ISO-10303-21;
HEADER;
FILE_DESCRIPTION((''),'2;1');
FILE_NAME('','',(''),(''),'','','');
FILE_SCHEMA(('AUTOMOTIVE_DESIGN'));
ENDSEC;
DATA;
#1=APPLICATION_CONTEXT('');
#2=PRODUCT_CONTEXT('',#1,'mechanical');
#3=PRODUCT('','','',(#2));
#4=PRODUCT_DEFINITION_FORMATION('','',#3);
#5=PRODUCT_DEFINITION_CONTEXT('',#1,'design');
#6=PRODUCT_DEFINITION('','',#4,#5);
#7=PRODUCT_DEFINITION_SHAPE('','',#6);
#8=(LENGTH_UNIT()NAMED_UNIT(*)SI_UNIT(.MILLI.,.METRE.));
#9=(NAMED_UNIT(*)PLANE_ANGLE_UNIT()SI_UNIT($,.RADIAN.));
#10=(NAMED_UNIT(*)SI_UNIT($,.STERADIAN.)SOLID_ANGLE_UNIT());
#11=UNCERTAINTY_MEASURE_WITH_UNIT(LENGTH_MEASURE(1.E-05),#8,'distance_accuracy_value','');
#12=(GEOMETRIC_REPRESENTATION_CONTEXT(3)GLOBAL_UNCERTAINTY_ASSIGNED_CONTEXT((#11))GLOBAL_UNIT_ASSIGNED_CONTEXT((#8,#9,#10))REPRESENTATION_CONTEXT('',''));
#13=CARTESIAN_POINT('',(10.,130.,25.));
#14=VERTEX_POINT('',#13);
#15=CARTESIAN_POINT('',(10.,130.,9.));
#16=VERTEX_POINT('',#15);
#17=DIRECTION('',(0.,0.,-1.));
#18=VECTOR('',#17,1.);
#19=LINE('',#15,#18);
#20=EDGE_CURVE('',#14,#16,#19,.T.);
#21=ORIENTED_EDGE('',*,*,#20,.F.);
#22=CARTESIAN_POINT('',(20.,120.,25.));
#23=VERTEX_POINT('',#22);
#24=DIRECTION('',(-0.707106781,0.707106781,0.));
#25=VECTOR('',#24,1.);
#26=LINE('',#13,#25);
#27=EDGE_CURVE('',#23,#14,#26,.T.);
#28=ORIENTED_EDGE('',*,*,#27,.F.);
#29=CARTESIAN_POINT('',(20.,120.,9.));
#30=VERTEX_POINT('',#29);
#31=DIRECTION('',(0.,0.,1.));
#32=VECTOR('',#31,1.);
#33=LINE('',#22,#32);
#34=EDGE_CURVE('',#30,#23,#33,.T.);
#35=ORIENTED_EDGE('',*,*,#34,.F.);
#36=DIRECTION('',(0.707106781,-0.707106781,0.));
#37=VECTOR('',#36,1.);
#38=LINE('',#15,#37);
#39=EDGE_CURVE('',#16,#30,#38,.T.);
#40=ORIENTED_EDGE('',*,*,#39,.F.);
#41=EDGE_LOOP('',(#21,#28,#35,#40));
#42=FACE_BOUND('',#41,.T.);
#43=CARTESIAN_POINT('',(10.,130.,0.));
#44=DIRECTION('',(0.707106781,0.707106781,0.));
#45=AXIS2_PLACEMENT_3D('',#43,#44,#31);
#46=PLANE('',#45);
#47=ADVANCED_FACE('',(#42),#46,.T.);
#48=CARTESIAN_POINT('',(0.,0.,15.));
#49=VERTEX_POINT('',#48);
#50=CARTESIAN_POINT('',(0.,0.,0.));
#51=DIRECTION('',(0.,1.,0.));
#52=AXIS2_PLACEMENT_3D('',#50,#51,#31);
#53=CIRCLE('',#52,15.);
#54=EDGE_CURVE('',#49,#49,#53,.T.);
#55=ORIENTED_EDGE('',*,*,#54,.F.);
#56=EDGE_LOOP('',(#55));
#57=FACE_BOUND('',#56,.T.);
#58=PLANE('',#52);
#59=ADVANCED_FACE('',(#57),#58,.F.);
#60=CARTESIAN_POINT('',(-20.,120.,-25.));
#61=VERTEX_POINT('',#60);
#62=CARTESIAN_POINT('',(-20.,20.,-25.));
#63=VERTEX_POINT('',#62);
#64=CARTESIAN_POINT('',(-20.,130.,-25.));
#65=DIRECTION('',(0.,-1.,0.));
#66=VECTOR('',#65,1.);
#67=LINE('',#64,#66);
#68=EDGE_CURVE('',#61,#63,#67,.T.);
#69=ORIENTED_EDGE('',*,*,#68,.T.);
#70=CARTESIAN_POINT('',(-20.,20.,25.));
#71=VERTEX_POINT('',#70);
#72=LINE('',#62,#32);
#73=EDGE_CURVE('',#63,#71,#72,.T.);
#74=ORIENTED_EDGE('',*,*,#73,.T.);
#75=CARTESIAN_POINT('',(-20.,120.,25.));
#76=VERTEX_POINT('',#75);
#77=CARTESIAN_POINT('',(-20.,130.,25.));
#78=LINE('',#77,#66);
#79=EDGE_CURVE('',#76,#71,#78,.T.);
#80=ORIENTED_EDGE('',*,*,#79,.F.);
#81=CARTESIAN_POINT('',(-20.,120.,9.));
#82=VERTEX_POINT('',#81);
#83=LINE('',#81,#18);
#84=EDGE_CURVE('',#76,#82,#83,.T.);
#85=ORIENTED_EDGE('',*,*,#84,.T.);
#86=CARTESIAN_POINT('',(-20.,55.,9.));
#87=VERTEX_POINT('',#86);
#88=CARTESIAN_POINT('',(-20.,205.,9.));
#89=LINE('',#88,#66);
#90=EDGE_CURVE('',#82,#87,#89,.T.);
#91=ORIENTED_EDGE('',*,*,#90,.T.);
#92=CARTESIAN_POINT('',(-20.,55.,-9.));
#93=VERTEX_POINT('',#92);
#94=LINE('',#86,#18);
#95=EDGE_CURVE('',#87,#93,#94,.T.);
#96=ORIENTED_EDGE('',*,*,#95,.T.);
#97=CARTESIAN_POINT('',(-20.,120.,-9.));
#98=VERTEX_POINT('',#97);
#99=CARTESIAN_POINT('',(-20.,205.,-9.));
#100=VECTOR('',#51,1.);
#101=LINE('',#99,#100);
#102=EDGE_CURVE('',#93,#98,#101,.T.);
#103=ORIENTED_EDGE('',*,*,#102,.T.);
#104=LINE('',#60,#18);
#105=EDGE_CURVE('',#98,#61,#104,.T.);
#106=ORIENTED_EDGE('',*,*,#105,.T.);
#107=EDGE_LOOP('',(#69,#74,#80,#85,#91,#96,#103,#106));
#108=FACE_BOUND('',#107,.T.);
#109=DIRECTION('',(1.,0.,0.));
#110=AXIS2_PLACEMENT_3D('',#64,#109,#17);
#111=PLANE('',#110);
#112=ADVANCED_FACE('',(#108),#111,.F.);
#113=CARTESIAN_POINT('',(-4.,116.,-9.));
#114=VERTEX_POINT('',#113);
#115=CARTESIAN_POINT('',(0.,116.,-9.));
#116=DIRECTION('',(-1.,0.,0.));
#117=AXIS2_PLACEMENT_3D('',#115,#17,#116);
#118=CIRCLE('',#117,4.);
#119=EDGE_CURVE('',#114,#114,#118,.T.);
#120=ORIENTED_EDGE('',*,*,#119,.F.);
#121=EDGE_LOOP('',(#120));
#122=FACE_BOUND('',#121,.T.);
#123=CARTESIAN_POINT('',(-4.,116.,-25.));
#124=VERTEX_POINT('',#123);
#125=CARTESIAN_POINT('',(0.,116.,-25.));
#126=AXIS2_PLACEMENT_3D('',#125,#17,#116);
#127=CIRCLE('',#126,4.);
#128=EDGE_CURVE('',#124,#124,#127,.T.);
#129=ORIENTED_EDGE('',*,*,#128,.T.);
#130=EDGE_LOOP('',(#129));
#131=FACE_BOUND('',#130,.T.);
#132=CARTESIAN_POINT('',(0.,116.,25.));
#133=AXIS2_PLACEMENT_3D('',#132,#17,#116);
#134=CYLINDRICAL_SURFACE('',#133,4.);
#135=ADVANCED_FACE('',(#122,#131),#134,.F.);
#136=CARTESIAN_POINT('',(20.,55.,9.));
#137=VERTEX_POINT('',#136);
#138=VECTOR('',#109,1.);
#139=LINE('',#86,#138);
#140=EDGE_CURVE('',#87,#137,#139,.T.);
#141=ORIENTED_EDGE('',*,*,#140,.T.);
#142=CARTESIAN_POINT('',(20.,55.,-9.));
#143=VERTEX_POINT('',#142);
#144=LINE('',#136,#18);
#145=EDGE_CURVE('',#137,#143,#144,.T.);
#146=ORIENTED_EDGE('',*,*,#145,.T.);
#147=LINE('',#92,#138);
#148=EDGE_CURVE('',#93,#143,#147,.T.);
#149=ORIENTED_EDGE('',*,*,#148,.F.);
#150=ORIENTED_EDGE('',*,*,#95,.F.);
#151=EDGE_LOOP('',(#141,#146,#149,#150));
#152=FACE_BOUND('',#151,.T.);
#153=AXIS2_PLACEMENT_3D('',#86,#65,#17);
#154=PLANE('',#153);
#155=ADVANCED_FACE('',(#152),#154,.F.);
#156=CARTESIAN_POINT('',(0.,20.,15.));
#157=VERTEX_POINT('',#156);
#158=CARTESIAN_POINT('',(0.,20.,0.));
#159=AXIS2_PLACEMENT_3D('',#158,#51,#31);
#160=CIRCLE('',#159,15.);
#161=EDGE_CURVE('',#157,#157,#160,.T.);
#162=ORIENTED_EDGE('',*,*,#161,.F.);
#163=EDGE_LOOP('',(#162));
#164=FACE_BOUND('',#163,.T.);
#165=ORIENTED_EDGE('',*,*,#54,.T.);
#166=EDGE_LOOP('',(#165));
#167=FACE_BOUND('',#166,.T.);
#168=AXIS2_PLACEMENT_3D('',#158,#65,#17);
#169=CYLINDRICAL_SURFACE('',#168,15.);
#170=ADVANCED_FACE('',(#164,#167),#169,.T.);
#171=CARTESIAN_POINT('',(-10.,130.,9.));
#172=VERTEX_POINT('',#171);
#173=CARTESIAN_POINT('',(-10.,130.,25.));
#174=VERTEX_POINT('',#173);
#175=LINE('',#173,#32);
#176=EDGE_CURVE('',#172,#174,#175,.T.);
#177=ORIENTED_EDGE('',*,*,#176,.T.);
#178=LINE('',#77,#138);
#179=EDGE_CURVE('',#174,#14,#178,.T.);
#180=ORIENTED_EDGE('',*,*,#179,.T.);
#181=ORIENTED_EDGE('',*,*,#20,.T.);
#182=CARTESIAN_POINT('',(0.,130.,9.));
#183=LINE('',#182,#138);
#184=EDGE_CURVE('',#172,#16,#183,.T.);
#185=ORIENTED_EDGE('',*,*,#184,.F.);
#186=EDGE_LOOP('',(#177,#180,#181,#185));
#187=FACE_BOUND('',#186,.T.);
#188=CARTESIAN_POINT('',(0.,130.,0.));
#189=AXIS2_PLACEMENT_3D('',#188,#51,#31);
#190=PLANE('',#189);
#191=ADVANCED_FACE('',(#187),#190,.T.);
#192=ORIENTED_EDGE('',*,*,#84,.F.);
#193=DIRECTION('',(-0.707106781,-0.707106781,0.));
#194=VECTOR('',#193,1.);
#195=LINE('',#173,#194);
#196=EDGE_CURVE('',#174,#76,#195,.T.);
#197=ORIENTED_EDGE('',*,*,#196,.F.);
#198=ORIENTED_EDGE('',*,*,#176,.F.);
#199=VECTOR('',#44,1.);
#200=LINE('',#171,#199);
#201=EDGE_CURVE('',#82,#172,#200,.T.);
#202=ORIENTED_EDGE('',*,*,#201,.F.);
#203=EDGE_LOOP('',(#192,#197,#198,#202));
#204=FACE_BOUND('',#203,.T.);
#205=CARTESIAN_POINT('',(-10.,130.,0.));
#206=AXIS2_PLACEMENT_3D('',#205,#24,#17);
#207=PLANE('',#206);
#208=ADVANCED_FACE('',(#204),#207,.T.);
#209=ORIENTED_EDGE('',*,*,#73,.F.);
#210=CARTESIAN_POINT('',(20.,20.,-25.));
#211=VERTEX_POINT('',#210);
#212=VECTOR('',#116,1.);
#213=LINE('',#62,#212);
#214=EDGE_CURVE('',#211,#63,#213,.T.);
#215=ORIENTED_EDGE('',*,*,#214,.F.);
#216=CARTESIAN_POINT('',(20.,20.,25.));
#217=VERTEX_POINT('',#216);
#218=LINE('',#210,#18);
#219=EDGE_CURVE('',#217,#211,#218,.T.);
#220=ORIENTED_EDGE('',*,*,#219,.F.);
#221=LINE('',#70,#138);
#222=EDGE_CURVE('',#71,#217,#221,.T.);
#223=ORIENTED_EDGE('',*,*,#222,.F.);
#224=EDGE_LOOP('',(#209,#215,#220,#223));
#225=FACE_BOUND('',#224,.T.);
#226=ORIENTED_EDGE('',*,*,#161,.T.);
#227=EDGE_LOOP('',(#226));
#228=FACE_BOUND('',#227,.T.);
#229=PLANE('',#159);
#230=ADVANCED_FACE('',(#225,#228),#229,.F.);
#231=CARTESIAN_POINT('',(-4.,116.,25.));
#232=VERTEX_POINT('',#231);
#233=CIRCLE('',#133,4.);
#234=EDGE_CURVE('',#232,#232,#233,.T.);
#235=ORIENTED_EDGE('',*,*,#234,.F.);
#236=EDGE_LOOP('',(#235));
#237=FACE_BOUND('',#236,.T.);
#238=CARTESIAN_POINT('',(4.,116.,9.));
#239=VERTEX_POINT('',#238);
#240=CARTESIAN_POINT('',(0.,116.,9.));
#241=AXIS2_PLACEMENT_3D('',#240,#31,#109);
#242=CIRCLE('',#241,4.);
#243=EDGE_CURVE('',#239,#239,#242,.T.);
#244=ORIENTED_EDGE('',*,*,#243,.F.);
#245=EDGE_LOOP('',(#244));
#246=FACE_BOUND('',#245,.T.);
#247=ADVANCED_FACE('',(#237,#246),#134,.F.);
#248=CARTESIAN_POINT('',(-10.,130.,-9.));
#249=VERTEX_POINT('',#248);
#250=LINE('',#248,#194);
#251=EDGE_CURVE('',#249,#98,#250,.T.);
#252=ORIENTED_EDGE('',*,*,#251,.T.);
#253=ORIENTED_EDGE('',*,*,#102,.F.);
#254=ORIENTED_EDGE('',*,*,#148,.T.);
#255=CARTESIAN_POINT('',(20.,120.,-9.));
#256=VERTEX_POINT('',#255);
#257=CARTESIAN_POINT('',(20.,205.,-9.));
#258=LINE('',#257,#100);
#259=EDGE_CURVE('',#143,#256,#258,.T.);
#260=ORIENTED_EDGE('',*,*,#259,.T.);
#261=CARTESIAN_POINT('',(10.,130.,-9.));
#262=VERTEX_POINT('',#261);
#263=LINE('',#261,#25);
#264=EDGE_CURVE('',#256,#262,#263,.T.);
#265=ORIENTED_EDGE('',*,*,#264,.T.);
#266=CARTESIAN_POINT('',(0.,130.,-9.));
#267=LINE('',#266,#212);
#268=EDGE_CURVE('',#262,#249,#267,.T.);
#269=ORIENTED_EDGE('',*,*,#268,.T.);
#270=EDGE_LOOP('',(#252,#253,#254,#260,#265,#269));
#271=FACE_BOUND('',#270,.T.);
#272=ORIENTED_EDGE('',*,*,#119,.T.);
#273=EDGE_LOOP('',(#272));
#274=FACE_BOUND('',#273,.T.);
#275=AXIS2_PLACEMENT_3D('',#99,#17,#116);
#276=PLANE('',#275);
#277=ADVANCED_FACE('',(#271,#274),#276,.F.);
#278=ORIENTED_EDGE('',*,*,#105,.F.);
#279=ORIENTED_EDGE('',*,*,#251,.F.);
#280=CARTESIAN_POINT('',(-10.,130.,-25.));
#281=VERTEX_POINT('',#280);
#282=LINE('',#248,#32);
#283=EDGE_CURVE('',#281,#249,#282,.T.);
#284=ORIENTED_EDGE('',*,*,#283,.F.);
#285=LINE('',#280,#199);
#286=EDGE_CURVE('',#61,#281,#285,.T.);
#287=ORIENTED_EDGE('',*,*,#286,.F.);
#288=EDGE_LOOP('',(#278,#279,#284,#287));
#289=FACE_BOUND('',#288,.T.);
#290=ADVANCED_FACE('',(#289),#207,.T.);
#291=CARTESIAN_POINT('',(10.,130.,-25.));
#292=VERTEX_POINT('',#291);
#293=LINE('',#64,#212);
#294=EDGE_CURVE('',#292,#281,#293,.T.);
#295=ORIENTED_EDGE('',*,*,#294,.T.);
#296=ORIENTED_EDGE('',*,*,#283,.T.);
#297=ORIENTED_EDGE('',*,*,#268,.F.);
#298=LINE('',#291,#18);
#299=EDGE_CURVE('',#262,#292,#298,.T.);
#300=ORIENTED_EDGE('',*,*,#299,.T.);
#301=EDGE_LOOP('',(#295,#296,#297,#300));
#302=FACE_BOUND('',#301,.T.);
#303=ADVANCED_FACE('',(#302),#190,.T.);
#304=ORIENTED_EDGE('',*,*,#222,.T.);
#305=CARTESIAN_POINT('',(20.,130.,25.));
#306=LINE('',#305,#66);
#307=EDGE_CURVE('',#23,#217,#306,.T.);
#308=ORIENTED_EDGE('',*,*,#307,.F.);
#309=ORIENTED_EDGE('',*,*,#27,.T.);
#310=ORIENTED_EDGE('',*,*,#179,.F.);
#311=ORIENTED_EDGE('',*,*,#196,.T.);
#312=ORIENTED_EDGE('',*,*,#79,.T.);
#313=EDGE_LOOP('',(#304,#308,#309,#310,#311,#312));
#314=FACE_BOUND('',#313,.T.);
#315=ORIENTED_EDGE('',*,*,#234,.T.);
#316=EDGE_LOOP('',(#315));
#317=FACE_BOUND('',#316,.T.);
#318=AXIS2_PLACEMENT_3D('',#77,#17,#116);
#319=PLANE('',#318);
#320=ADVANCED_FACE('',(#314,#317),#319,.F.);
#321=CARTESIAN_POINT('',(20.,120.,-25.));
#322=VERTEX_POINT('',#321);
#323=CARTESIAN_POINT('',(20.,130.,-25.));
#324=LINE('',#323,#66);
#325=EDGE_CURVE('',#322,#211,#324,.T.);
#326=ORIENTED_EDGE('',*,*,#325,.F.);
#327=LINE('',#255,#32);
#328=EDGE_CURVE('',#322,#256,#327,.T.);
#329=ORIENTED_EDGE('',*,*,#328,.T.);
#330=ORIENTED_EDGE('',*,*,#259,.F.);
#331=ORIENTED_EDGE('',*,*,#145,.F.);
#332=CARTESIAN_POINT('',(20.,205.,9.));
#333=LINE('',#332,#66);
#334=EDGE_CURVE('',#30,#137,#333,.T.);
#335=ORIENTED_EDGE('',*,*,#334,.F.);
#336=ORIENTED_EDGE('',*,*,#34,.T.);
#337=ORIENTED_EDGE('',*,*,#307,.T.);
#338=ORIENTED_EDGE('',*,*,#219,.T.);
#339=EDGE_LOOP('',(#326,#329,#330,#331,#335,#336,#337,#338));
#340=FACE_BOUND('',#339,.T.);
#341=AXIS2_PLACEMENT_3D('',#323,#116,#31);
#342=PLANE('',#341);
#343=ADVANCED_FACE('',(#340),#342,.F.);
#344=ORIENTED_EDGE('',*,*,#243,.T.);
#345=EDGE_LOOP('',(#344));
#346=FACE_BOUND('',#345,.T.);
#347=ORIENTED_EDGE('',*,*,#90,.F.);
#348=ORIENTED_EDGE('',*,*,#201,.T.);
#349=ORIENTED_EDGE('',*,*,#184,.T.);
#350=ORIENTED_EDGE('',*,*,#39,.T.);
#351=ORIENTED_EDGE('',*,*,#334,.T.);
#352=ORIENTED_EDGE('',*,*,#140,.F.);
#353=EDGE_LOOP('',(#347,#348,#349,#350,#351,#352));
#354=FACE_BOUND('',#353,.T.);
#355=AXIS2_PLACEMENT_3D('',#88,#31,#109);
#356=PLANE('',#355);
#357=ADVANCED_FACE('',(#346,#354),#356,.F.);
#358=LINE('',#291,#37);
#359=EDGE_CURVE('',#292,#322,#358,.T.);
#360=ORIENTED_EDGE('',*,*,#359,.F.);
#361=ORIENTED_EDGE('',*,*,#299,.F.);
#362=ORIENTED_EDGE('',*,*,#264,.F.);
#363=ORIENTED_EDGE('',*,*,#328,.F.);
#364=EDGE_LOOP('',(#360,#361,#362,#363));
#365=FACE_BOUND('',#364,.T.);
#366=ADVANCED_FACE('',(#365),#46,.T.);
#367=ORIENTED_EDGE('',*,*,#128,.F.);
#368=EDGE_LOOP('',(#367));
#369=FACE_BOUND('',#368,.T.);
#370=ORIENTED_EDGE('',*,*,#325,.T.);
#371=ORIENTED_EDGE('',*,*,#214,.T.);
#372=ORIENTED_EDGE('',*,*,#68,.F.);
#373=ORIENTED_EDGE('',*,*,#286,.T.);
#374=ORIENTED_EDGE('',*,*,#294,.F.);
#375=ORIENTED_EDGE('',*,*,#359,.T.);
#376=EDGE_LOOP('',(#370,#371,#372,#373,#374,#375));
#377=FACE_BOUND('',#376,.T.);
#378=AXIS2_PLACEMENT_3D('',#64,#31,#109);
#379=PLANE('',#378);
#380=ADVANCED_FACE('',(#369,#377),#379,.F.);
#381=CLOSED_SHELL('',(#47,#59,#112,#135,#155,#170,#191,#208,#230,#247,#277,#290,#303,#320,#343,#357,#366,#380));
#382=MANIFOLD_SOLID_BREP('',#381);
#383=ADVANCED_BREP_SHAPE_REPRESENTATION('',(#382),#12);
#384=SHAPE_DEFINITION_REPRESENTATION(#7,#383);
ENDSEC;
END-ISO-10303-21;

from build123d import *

# Parameters (mm, degrees)
SKETCH1_R           = 15
BOSS_EXTRUDE1_DEPTH = 20
SKETCH2_W           = 40
SKETCH2_H           = 50
BOSS_EXTRUDE2_DEPTH = 110
SKETCH3_W           = 18
SKETCH3_H           = 150
CUT_EXTRUDE1_DEPTH  = 139.293166859
SKETCH4_R           = 4
CUT_EXTRUDE2_DEPTH  = 141.712472795
CHAMFER1_SIZE       = 10


with BuildPart() as part:
    # Sketch1 → Boss-Extrude1 (new body)
    with BuildSketch(Plane(origin=(0, 0, 0), x_dir=(1, 0, 0), z_dir=(0, 1, 0))):
        with Locations(Location((0, 0, 0), (0, 0, 270))):
            Circle(SKETCH1_R)
    extrude(amount=BOSS_EXTRUDE1_DEPTH)

    # Sketch2 → Boss-Extrude2 (add)
    with BuildSketch(Plane(origin=(0, 20, 0), x_dir=(1, 0, 0), z_dir=(0, 1, 0))):
        Rectangle(SKETCH2_W, SKETCH2_H)
    extrude(amount=BOSS_EXTRUDE2_DEPTH)

    # Sketch3 → Cut-Extrude1 (cut, through all)
    with BuildSketch(Plane(origin=(20, 0, 0), x_dir=(0, 0, -1), z_dir=(1, 0, 0))):
        with Locations((0, 130)):
            Rectangle(SKETCH3_W, SKETCH3_H)
    extrude(amount=-CUT_EXTRUDE1_DEPTH, mode=Mode.SUBTRACT)

    # Sketch4 → Cut-Extrude2 (cut, through all)
    with BuildSketch(Plane(origin=(0, 0, -25), x_dir=(-1, 0, 0), z_dir=(0, 0, -1))):
        with Locations((0, 116)):
            Circle(SKETCH4_R)
    extrude(amount=-CUT_EXTRUDE2_DEPTH, mode=Mode.SUBTRACT)

    # Chamfer1
    chamfer1_edges = [part.edges().sort_by_distance(p)[0] for p in [
        (20, 130, -17),
        (-20, 130, 17),
        (20, 130, 17),
        (-20, 130, -17),
    ]]
    chamfer(chamfer1_edges, length=CHAMFER1_SIZE)


solid = part.part
